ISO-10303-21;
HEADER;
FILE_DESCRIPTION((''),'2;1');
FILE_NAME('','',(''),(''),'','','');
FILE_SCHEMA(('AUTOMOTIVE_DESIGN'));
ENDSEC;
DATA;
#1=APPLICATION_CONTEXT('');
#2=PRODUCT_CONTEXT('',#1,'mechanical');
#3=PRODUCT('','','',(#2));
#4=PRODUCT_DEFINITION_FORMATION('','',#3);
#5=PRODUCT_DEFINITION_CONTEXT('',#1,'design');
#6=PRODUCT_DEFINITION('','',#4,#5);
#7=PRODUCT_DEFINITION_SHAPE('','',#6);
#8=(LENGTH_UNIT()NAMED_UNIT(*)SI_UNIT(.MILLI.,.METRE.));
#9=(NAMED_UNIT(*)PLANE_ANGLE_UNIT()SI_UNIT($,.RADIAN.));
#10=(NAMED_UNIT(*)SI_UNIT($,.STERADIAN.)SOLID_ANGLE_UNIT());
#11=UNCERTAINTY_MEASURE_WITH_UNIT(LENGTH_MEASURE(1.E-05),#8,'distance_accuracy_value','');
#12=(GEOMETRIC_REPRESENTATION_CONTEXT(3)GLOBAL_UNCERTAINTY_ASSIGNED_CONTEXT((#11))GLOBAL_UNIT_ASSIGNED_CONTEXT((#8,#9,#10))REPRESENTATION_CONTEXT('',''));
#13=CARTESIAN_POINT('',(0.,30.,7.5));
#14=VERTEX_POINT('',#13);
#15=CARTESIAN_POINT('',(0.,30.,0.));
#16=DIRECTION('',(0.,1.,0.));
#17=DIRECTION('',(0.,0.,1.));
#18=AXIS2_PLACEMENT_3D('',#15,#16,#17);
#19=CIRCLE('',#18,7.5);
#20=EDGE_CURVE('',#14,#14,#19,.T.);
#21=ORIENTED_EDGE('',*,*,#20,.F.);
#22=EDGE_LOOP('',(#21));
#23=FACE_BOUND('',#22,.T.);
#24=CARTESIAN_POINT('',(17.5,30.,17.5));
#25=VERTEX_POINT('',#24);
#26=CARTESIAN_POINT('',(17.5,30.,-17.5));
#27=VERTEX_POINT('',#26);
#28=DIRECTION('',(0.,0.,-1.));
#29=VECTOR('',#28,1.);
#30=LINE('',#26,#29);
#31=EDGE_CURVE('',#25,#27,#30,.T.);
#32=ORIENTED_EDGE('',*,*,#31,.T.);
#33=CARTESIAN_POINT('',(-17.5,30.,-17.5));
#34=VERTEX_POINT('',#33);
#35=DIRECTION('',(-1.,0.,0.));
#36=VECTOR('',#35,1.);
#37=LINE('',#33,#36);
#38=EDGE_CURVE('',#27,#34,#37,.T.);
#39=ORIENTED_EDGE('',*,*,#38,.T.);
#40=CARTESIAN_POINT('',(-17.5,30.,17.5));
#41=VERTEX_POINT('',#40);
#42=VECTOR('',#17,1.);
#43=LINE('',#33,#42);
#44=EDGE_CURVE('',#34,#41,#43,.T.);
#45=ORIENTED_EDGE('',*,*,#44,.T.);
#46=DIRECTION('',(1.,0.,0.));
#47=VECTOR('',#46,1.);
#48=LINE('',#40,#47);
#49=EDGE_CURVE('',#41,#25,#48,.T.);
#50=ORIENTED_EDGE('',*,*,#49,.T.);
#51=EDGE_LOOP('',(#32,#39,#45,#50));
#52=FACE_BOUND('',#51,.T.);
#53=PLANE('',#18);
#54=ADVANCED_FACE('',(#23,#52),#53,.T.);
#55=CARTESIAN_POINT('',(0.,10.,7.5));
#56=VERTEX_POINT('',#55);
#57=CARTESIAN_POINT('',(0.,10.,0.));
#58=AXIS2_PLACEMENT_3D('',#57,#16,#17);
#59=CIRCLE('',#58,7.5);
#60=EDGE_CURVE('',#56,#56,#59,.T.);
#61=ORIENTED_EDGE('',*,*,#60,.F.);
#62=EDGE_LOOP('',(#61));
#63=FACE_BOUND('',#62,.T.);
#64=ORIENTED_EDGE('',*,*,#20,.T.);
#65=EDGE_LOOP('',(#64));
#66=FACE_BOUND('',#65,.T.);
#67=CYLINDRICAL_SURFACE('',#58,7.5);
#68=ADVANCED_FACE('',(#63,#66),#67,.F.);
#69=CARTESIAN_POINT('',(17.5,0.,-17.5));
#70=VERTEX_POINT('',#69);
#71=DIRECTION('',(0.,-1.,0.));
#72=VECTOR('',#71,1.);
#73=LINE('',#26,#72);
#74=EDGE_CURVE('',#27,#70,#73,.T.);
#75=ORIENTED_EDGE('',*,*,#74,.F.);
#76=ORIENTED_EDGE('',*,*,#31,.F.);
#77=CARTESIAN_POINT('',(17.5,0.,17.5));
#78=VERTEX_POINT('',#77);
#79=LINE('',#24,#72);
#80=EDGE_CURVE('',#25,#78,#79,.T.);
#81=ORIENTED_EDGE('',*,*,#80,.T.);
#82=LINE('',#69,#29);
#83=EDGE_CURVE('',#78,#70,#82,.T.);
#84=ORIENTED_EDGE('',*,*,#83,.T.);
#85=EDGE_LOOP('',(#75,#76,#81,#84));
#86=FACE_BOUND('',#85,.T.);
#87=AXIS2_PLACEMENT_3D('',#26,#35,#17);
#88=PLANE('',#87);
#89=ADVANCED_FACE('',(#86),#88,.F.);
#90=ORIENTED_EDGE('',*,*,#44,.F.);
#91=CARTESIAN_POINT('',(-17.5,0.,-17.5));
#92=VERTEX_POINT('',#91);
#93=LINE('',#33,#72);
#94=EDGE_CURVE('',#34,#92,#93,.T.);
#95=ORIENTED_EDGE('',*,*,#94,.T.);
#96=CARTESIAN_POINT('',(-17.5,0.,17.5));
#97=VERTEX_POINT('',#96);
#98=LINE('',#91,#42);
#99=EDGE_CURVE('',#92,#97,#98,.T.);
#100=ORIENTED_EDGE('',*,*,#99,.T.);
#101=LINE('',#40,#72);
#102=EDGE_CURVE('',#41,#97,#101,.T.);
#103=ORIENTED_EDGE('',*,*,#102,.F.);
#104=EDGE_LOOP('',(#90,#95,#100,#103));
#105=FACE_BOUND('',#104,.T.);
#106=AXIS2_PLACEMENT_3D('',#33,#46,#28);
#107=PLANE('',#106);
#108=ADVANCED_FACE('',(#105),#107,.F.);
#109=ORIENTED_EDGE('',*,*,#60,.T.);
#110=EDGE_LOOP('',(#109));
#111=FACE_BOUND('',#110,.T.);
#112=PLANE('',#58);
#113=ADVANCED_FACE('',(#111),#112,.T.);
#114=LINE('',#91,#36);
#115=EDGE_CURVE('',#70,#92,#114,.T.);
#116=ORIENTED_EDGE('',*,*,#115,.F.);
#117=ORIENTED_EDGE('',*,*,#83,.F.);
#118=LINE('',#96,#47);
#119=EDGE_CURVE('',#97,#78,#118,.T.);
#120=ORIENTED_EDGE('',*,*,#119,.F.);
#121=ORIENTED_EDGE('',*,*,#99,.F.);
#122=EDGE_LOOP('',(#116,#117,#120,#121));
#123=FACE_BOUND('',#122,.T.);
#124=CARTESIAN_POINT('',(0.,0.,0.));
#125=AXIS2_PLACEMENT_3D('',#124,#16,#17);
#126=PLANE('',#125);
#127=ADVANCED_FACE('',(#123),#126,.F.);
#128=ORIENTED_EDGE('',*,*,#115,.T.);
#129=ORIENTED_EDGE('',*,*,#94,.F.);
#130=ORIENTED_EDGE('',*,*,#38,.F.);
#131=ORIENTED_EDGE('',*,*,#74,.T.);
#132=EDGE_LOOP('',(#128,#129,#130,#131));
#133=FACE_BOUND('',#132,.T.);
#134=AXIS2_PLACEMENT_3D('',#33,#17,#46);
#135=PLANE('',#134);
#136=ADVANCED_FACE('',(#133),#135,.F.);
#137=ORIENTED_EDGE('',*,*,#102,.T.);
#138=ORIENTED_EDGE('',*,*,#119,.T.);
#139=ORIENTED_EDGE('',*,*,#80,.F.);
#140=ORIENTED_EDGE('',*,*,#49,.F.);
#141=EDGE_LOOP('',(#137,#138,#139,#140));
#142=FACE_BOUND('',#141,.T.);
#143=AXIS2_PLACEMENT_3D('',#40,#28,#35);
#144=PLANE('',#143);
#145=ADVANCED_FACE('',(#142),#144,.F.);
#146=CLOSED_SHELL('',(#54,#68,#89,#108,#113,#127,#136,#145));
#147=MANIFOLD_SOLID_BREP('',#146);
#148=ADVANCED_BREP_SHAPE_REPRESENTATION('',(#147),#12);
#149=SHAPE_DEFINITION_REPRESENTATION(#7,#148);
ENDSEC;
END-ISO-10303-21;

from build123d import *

# Parameters (mm, degrees)
SKETCH1_W           = 35
SKETCH1_H           = 35
BOSS_EXTRUDE1_DEPTH = 30
SKETCH2_R           = 7.5
CUT_EXTRUDE1_DEPTH  = 20


with BuildPart() as part:
    # Sketch1 → Boss-Extrude1 (new body)
    with BuildSketch(Plane(origin=(0, 0, 0), x_dir=(1, 0, 0), z_dir=(0, 1, 0))):
        Rectangle(SKETCH1_W, SKETCH1_H)
    extrude(amount=BOSS_EXTRUDE1_DEPTH)

    # Sketch2 → Cut-Extrude1 (cut)
    with BuildSketch(Plane(origin=(0, 30, 0), x_dir=(1, 0, 0), z_dir=(0, 1, 0))):
        Circle(SKETCH2_R)
    extrude(amount=-CUT_EXTRUDE1_DEPTH, mode=Mode.SUBTRACT)


solid = part.part
